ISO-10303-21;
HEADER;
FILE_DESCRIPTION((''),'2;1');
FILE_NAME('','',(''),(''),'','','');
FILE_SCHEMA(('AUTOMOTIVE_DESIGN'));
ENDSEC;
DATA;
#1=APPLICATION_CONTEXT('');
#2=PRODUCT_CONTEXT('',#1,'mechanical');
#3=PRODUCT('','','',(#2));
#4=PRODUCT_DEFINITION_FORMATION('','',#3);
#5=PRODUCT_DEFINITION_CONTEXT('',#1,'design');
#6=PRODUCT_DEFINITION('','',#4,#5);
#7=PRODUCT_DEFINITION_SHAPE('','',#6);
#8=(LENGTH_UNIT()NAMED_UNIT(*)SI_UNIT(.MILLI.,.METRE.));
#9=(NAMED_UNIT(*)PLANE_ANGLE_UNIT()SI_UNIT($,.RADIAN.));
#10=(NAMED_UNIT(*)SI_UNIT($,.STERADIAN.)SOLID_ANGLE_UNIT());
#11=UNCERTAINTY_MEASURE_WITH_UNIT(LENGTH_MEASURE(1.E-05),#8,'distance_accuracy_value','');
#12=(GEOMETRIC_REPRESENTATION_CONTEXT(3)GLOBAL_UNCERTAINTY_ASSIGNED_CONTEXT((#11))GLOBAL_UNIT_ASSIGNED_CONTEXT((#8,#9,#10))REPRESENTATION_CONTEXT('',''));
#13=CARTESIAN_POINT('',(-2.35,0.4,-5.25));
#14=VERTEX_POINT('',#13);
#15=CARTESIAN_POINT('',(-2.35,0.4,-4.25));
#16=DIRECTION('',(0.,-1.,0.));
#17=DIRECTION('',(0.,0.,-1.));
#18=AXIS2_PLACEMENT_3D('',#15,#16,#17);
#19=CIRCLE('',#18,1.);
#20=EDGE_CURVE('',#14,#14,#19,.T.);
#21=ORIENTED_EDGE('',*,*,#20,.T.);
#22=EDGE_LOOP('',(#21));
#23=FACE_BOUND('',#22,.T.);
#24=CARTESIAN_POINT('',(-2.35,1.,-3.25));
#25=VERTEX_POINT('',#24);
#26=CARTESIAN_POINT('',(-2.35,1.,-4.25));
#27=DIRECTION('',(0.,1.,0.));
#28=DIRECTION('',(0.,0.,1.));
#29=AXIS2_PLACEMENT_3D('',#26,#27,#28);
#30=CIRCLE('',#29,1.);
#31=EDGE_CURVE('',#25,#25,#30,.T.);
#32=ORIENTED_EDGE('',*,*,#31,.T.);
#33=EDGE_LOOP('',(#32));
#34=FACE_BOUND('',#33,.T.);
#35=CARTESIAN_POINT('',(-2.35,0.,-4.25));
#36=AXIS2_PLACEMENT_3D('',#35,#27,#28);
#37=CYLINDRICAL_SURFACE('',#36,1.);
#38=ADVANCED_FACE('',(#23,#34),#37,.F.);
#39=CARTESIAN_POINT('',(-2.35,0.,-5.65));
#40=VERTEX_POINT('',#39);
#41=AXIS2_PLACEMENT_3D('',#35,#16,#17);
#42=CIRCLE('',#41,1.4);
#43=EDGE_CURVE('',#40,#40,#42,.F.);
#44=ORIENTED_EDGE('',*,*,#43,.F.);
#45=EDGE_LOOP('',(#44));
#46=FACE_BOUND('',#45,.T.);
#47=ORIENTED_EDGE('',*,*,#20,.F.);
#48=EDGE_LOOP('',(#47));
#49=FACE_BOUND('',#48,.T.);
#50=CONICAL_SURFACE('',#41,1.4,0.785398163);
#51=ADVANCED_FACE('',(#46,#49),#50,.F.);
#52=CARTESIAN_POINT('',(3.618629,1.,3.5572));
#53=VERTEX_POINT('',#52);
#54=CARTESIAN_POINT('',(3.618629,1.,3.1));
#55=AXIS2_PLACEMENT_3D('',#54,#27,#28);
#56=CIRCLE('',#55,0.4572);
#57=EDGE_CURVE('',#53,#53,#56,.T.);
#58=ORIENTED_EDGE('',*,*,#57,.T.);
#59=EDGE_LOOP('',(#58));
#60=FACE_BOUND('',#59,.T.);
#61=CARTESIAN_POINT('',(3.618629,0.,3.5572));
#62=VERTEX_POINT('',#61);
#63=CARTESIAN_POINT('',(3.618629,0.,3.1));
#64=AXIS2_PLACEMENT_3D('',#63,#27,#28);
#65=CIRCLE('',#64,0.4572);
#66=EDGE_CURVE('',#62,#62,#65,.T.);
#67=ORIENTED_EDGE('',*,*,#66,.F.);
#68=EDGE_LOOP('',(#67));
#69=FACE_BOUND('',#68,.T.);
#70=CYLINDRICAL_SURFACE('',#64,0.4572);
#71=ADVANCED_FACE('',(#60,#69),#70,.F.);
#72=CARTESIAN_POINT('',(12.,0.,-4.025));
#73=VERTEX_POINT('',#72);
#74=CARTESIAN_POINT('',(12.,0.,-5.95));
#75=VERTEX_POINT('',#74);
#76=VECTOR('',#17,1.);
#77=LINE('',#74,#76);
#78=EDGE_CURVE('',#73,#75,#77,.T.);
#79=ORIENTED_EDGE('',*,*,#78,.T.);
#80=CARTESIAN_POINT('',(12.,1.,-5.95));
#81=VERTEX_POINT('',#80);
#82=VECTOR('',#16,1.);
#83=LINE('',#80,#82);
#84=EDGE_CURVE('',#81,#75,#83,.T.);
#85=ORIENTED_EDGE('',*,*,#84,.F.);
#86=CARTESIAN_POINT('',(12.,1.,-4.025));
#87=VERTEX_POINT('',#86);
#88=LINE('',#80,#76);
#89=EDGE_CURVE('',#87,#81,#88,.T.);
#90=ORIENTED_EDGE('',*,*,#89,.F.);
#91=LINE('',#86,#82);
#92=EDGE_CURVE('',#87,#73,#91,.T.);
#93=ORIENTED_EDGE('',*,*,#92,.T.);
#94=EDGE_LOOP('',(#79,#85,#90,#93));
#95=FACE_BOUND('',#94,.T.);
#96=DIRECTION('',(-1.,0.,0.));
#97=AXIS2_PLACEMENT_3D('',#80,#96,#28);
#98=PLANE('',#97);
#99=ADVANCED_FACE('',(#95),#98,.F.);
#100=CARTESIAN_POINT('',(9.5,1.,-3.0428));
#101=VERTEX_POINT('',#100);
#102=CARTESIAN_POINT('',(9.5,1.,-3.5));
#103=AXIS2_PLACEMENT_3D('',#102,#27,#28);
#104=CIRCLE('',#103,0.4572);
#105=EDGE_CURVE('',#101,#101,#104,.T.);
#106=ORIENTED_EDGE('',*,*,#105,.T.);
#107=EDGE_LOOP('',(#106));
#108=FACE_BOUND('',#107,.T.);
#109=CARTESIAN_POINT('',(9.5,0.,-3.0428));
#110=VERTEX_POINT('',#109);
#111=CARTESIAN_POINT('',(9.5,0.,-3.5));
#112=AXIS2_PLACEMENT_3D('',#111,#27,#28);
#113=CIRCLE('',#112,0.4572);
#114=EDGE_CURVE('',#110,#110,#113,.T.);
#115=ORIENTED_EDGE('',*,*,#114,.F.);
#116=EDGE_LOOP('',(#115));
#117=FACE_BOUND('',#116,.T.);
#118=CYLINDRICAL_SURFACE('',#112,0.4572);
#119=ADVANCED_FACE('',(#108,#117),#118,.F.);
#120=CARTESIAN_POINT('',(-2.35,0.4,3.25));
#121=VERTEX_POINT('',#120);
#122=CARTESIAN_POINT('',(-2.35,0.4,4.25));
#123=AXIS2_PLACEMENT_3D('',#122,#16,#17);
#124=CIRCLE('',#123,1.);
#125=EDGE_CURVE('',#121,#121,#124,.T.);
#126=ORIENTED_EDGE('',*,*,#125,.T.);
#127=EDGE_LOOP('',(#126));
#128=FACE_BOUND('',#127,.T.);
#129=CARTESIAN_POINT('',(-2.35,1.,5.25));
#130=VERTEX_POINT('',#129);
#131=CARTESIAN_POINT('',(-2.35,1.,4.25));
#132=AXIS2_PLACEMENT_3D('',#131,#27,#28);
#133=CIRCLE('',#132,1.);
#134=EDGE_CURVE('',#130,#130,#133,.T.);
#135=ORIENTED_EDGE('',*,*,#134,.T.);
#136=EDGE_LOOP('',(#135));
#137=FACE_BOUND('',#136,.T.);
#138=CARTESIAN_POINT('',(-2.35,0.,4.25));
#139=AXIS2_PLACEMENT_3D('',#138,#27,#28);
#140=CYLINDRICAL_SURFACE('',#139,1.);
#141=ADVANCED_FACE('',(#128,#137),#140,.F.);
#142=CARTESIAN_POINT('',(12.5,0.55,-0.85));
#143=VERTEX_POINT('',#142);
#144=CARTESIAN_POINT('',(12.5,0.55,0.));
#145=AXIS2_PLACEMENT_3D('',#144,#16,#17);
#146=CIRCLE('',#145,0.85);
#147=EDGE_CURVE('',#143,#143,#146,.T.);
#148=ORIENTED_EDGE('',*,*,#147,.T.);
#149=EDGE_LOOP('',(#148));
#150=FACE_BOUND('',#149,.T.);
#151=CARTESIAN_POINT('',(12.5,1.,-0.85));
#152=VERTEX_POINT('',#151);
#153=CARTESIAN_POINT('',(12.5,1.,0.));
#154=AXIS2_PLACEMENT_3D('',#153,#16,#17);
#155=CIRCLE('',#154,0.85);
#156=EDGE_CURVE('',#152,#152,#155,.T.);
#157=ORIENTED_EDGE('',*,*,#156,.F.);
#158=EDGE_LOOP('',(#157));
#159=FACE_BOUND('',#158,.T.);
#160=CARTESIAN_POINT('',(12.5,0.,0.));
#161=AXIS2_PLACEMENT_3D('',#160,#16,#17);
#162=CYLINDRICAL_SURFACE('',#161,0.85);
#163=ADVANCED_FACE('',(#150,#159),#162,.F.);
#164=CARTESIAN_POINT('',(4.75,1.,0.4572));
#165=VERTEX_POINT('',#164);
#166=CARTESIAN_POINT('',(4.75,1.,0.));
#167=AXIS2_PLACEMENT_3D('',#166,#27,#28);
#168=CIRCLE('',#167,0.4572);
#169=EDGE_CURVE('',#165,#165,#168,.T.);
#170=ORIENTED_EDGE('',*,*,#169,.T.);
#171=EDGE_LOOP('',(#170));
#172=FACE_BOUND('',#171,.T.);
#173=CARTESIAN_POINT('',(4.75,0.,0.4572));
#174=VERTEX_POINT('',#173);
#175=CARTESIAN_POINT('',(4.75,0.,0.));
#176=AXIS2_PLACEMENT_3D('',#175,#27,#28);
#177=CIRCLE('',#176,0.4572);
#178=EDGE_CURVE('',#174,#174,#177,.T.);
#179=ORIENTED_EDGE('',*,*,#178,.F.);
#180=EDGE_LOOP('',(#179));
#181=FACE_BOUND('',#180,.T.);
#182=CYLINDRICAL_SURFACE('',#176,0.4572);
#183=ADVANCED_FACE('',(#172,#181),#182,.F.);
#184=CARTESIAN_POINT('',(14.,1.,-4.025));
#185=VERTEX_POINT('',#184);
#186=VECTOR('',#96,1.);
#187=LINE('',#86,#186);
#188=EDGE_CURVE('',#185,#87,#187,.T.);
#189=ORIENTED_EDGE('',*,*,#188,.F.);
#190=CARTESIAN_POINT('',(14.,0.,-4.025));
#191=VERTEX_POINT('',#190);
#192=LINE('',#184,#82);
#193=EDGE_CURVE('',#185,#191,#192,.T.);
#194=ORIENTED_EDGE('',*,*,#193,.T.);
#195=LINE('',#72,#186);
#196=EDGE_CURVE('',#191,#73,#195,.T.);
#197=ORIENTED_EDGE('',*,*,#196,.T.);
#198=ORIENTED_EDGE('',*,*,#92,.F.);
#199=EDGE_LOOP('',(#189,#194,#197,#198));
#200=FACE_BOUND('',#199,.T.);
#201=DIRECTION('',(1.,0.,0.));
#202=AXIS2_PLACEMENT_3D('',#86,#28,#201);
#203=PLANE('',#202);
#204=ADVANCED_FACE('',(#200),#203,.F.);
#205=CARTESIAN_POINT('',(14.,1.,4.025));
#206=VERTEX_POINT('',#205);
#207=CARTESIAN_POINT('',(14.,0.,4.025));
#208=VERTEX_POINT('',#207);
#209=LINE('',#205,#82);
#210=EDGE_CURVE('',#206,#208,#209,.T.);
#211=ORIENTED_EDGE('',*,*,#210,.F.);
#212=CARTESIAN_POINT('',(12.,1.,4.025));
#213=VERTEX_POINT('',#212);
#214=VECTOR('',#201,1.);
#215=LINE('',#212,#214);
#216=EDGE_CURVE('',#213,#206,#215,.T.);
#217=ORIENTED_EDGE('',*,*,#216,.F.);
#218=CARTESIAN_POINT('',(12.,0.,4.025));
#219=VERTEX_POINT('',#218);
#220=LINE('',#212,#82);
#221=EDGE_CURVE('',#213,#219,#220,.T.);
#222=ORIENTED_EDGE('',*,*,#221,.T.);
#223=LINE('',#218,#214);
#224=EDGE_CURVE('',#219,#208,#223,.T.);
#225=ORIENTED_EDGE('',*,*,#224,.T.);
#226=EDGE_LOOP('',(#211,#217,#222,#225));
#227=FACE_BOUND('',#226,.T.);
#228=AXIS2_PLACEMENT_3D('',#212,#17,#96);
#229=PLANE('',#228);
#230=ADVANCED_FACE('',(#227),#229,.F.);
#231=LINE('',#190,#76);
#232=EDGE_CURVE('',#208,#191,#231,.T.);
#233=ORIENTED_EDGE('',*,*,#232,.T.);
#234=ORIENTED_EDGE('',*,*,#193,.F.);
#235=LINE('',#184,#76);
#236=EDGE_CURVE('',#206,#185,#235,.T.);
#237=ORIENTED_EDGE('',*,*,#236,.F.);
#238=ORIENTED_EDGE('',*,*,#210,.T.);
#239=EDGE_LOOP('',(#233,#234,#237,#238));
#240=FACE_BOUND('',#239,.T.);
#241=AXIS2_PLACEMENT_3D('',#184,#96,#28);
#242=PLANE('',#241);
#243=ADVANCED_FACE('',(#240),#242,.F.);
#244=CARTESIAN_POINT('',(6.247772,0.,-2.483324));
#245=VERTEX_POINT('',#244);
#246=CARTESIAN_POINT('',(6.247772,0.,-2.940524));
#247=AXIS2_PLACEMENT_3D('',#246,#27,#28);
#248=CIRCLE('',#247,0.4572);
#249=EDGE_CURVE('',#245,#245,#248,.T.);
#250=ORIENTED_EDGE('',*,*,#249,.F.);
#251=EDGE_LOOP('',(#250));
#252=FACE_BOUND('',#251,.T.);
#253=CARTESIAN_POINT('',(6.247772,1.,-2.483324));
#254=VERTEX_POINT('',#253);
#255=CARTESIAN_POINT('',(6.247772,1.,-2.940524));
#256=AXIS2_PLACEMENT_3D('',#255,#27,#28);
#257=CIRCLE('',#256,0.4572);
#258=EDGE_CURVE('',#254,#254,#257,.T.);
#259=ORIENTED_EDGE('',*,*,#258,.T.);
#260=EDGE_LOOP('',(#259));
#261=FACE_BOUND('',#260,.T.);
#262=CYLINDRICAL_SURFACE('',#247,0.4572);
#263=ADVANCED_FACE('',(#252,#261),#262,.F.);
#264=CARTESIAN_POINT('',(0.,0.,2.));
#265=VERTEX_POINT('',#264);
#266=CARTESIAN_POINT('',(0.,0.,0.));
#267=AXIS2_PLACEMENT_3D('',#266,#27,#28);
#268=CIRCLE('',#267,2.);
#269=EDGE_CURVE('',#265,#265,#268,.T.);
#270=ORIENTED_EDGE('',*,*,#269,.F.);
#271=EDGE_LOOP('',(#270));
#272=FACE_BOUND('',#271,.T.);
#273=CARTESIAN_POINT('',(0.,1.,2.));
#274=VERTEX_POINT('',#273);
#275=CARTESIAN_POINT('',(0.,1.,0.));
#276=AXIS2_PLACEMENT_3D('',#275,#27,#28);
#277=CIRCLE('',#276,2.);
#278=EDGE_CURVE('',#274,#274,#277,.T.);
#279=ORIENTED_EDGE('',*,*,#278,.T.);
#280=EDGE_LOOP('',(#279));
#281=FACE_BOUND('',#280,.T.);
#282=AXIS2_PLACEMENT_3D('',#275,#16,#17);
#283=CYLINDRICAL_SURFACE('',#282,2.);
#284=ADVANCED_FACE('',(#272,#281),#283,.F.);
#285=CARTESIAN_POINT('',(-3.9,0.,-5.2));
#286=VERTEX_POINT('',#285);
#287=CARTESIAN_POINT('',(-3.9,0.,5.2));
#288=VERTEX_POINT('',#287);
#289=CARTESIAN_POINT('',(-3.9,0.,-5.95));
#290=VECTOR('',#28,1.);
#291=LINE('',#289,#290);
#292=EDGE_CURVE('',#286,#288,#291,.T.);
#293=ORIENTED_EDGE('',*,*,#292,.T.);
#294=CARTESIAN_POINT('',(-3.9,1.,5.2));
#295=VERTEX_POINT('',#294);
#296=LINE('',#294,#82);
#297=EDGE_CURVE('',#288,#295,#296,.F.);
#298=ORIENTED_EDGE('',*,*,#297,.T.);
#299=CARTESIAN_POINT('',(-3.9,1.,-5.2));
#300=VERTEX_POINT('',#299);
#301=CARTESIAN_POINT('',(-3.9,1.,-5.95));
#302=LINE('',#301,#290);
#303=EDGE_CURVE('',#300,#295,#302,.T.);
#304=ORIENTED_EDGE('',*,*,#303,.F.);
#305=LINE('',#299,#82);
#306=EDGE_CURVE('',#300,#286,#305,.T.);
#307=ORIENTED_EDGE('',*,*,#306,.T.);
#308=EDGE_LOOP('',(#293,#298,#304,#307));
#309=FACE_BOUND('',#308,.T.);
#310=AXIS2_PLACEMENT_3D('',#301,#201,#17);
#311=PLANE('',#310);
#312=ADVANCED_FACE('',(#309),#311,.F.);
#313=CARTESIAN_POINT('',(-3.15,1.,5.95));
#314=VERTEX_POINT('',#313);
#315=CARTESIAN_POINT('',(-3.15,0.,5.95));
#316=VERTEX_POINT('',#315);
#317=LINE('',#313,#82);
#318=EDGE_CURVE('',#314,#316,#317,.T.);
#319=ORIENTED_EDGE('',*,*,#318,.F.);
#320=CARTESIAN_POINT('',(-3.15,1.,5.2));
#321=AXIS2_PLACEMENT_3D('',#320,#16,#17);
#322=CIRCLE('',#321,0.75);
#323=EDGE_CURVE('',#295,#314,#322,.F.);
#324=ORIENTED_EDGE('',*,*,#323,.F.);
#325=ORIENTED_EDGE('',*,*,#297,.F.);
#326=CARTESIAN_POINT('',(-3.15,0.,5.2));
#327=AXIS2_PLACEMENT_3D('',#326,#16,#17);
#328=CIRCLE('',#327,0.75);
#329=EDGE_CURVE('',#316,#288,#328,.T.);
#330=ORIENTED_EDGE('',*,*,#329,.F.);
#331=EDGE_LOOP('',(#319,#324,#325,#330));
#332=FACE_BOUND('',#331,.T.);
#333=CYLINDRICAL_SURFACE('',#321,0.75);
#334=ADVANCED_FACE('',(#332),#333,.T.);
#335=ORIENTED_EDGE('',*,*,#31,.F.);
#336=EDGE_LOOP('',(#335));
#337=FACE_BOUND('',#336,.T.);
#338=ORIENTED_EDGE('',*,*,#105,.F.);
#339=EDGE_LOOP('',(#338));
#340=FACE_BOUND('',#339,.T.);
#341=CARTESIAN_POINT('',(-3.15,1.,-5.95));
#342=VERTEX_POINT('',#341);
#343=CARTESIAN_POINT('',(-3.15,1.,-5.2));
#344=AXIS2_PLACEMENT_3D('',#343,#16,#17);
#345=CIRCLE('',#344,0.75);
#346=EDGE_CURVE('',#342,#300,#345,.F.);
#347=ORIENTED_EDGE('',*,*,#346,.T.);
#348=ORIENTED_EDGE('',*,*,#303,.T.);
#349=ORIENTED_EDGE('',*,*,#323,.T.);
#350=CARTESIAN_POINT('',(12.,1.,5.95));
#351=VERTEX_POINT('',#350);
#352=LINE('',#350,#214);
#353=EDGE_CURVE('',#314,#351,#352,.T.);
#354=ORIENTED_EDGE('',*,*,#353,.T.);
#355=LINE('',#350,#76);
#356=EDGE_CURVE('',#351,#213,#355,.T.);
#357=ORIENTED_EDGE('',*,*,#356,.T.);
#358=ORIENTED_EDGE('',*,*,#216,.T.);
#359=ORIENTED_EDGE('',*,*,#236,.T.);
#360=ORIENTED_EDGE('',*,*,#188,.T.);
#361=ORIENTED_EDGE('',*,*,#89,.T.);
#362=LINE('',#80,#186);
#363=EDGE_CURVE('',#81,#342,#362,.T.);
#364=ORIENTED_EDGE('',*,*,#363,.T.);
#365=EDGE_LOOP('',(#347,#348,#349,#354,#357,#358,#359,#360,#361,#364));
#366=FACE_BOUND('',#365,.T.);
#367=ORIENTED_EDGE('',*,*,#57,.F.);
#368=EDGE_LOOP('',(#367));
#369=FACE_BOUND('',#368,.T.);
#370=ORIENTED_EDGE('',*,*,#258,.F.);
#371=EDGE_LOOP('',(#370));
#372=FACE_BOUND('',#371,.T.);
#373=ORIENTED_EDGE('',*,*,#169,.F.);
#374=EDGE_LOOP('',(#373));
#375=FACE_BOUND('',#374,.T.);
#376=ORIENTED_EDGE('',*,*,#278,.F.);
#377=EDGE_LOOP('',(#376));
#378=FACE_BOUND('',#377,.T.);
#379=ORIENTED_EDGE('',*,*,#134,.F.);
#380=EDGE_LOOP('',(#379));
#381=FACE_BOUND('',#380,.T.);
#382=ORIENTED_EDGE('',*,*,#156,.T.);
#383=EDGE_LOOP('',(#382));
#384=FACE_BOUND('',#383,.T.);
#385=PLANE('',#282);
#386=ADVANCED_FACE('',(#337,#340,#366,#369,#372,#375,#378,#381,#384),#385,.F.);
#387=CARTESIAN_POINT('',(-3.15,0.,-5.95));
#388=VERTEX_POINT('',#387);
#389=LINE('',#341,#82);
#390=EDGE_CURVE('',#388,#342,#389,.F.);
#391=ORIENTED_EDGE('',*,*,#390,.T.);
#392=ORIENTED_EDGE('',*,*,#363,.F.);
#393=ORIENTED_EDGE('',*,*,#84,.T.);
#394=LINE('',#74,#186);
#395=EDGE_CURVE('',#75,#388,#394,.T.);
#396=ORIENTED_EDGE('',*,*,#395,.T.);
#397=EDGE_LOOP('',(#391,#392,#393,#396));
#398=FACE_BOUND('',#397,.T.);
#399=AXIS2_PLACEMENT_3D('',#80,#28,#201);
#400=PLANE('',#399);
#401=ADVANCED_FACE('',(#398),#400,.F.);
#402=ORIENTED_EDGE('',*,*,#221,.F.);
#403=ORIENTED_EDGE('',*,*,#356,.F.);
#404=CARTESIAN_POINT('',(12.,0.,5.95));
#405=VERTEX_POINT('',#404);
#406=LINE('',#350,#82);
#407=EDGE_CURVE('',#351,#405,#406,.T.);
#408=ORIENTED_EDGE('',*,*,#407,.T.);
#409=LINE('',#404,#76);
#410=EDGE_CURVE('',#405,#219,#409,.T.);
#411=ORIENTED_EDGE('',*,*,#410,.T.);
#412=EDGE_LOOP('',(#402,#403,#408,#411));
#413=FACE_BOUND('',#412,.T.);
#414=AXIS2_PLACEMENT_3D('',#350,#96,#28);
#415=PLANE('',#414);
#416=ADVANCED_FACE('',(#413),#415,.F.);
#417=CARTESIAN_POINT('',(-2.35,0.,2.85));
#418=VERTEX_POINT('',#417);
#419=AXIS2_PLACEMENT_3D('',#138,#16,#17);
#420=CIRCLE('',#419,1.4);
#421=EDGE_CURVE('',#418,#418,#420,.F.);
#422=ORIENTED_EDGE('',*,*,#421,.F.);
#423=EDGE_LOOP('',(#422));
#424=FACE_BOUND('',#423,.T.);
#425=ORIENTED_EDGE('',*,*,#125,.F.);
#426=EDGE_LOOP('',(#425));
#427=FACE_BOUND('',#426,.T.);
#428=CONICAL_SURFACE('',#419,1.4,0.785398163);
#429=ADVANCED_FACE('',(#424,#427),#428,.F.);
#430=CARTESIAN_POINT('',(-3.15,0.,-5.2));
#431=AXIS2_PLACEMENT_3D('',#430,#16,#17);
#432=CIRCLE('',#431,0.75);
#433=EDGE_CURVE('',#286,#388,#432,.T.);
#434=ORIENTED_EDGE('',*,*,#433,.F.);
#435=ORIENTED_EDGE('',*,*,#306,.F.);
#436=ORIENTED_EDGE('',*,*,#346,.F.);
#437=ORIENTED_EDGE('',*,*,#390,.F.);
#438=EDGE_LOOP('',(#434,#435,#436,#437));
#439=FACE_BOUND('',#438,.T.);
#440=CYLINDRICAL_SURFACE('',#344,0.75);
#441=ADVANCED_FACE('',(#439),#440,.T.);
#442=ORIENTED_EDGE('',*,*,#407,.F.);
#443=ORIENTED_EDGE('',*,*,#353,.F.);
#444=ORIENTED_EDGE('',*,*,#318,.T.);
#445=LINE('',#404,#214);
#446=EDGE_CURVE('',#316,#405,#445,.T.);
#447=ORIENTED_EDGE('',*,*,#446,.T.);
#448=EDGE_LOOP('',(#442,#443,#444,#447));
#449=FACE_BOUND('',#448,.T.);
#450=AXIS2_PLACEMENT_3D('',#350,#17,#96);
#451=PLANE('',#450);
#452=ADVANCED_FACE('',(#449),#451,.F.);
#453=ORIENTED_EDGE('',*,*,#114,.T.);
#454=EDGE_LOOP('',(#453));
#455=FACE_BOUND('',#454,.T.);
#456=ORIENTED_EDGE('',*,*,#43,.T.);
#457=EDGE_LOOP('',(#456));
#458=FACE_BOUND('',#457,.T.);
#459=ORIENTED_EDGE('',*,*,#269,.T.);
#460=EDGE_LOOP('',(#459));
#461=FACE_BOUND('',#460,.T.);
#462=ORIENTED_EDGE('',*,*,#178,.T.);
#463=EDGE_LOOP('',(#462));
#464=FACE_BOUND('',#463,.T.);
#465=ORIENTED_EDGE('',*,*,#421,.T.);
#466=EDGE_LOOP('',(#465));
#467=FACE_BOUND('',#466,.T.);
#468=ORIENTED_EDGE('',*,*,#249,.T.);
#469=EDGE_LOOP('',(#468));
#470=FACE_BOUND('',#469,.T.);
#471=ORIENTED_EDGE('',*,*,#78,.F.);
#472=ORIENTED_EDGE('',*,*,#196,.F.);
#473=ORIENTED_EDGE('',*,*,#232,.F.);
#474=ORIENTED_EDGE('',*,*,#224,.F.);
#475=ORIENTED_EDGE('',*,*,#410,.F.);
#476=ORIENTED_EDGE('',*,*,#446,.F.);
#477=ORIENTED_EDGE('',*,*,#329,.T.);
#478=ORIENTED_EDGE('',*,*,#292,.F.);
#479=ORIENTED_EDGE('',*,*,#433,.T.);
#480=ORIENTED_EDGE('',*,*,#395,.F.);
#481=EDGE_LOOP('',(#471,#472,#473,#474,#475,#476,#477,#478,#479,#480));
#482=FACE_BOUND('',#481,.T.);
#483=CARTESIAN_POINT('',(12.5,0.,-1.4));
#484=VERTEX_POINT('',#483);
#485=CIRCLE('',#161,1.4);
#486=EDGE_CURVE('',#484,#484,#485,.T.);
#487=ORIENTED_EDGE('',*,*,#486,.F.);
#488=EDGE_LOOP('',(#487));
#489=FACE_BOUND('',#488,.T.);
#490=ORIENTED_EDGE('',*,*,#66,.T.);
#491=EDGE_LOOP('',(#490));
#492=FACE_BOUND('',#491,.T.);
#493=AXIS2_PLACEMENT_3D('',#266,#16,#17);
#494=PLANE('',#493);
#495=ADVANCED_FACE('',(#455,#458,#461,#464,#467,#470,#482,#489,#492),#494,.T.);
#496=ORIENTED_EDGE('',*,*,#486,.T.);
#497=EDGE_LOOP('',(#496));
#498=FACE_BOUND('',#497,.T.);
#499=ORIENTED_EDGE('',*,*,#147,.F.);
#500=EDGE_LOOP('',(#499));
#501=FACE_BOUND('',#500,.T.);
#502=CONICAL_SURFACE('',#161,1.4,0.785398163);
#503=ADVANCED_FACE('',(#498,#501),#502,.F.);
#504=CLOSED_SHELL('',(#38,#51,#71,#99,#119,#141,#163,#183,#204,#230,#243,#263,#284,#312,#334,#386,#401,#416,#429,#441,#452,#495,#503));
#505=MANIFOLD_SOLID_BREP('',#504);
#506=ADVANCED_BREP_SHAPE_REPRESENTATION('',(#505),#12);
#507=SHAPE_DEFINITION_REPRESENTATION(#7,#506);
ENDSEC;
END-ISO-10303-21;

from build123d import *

# Parameters (mm, degrees)
SKETCH1_R           = 2
BOSS_EXTRUDE1_DEPTH = 1
SKETCH2_R           = 1
CUT_EXTRUDE1_DEPTH  = 16.244753196
FILLET1_R           = 0.75
CHAMFER1_SIZE       = 0.4
SKETCH3_R           = 0.4572
CUT_EXTRUDE2_DEPTH  = 16.244753196


with BuildPart() as part:
    # Sketch1 → Boss-Extrude1 (new body)
    with BuildSketch(Plane(origin=(0, 0, 0), x_dir=(1, 0, 0), z_dir=(0, 1, 0))):
        Polygon((12, 5.95), (-3.9, 5.95), (-3.9, -5.95), (12, -5.95), (12, -4.025), (14, -4.025), (14, 4.025), (12, 4.025), align=None)
        with Locations(Location((0, 0, 0), (0, 0, 270))):
            Circle(SKETCH1_R, mode=Mode.SUBTRACT)
    extrude(amount=BOSS_EXTRUDE1_DEPTH)

    # Sketch2 → Cut-Extrude1 (cut, through all)
    with BuildSketch(Plane(origin=(0, 1, 0), x_dir=(1, 0, 0), z_dir=(0, 1, 0))):
        with Locations(Location((-2.35, 4.25, 0), (0, 0, 270))):
            Circle(SKETCH2_R)
        with Locations(Location((-2.35, -4.25, 0), (0, 0, 270))):
            Circle(SKETCH2_R)
    extrude(amount=-CUT_EXTRUDE1_DEPTH, mode=Mode.SUBTRACT)

    # Fillet1
    fillet1_edges = [part.edges().sort_by_distance(p)[0] for p in [
        (-3.9, 0.5, -5.95),
        (-3.9, 0.5, 5.95),
    ]]
    fillet(fillet1_edges, radius=FILLET1_R)

    # Chamfer1
    chamfer1_edges = [part.edges().sort_by_distance(p)[0] for p in [
        (-2.35, 0, -5.25),
        (-2.35, 0, 3.25),
    ]]
    chamfer(chamfer1_edges, length=CHAMFER1_SIZE)

    # Sketch3 → Cut-Extrude2 (cut, through all)
    with BuildSketch(Plane(origin=(0, 1, 0), x_dir=(1, 0, 0), z_dir=(0, 1, 0))):
        with Locations(Location((3.61862915, -3.1, 0), (0, 0, 270))):
            Circle(SKETCH3_R)
        with Locations(Location((4.75, 0, 0), (0, 0, 270))):
            Circle(SKETCH3_R)
        with Locations(Location((6.247772136, 2.94052353, 0), (0, 0, 270))):
            Circle(SKETCH3_R)
        with Locations(Location((9.5, 3.5, 0), (0, 0, 270))):
            Circle(SKETCH3_R)
    extrude(amount=-CUT_EXTRUDE2_DEPTH, mode=Mode.SUBTRACT)

    # Sketch5 → CSK for M1.6 Countersunk Raised Head Screw2 (revolve, cut)
    with BuildSketch(Plane(origin=(12.5, 0, 0), x_dir=(0, 0, -1), z_dir=(1, 0, 0))):
        Polygon((0, 0), (0, 1), (0.85, 1), (0.85, 0.55), (1.4, 0), align=None)
    revolve(axis=Axis((12.5, -6.35, 0), (0, 1, 0)), mode=Mode.SUBTRACT)


solid = part.part
